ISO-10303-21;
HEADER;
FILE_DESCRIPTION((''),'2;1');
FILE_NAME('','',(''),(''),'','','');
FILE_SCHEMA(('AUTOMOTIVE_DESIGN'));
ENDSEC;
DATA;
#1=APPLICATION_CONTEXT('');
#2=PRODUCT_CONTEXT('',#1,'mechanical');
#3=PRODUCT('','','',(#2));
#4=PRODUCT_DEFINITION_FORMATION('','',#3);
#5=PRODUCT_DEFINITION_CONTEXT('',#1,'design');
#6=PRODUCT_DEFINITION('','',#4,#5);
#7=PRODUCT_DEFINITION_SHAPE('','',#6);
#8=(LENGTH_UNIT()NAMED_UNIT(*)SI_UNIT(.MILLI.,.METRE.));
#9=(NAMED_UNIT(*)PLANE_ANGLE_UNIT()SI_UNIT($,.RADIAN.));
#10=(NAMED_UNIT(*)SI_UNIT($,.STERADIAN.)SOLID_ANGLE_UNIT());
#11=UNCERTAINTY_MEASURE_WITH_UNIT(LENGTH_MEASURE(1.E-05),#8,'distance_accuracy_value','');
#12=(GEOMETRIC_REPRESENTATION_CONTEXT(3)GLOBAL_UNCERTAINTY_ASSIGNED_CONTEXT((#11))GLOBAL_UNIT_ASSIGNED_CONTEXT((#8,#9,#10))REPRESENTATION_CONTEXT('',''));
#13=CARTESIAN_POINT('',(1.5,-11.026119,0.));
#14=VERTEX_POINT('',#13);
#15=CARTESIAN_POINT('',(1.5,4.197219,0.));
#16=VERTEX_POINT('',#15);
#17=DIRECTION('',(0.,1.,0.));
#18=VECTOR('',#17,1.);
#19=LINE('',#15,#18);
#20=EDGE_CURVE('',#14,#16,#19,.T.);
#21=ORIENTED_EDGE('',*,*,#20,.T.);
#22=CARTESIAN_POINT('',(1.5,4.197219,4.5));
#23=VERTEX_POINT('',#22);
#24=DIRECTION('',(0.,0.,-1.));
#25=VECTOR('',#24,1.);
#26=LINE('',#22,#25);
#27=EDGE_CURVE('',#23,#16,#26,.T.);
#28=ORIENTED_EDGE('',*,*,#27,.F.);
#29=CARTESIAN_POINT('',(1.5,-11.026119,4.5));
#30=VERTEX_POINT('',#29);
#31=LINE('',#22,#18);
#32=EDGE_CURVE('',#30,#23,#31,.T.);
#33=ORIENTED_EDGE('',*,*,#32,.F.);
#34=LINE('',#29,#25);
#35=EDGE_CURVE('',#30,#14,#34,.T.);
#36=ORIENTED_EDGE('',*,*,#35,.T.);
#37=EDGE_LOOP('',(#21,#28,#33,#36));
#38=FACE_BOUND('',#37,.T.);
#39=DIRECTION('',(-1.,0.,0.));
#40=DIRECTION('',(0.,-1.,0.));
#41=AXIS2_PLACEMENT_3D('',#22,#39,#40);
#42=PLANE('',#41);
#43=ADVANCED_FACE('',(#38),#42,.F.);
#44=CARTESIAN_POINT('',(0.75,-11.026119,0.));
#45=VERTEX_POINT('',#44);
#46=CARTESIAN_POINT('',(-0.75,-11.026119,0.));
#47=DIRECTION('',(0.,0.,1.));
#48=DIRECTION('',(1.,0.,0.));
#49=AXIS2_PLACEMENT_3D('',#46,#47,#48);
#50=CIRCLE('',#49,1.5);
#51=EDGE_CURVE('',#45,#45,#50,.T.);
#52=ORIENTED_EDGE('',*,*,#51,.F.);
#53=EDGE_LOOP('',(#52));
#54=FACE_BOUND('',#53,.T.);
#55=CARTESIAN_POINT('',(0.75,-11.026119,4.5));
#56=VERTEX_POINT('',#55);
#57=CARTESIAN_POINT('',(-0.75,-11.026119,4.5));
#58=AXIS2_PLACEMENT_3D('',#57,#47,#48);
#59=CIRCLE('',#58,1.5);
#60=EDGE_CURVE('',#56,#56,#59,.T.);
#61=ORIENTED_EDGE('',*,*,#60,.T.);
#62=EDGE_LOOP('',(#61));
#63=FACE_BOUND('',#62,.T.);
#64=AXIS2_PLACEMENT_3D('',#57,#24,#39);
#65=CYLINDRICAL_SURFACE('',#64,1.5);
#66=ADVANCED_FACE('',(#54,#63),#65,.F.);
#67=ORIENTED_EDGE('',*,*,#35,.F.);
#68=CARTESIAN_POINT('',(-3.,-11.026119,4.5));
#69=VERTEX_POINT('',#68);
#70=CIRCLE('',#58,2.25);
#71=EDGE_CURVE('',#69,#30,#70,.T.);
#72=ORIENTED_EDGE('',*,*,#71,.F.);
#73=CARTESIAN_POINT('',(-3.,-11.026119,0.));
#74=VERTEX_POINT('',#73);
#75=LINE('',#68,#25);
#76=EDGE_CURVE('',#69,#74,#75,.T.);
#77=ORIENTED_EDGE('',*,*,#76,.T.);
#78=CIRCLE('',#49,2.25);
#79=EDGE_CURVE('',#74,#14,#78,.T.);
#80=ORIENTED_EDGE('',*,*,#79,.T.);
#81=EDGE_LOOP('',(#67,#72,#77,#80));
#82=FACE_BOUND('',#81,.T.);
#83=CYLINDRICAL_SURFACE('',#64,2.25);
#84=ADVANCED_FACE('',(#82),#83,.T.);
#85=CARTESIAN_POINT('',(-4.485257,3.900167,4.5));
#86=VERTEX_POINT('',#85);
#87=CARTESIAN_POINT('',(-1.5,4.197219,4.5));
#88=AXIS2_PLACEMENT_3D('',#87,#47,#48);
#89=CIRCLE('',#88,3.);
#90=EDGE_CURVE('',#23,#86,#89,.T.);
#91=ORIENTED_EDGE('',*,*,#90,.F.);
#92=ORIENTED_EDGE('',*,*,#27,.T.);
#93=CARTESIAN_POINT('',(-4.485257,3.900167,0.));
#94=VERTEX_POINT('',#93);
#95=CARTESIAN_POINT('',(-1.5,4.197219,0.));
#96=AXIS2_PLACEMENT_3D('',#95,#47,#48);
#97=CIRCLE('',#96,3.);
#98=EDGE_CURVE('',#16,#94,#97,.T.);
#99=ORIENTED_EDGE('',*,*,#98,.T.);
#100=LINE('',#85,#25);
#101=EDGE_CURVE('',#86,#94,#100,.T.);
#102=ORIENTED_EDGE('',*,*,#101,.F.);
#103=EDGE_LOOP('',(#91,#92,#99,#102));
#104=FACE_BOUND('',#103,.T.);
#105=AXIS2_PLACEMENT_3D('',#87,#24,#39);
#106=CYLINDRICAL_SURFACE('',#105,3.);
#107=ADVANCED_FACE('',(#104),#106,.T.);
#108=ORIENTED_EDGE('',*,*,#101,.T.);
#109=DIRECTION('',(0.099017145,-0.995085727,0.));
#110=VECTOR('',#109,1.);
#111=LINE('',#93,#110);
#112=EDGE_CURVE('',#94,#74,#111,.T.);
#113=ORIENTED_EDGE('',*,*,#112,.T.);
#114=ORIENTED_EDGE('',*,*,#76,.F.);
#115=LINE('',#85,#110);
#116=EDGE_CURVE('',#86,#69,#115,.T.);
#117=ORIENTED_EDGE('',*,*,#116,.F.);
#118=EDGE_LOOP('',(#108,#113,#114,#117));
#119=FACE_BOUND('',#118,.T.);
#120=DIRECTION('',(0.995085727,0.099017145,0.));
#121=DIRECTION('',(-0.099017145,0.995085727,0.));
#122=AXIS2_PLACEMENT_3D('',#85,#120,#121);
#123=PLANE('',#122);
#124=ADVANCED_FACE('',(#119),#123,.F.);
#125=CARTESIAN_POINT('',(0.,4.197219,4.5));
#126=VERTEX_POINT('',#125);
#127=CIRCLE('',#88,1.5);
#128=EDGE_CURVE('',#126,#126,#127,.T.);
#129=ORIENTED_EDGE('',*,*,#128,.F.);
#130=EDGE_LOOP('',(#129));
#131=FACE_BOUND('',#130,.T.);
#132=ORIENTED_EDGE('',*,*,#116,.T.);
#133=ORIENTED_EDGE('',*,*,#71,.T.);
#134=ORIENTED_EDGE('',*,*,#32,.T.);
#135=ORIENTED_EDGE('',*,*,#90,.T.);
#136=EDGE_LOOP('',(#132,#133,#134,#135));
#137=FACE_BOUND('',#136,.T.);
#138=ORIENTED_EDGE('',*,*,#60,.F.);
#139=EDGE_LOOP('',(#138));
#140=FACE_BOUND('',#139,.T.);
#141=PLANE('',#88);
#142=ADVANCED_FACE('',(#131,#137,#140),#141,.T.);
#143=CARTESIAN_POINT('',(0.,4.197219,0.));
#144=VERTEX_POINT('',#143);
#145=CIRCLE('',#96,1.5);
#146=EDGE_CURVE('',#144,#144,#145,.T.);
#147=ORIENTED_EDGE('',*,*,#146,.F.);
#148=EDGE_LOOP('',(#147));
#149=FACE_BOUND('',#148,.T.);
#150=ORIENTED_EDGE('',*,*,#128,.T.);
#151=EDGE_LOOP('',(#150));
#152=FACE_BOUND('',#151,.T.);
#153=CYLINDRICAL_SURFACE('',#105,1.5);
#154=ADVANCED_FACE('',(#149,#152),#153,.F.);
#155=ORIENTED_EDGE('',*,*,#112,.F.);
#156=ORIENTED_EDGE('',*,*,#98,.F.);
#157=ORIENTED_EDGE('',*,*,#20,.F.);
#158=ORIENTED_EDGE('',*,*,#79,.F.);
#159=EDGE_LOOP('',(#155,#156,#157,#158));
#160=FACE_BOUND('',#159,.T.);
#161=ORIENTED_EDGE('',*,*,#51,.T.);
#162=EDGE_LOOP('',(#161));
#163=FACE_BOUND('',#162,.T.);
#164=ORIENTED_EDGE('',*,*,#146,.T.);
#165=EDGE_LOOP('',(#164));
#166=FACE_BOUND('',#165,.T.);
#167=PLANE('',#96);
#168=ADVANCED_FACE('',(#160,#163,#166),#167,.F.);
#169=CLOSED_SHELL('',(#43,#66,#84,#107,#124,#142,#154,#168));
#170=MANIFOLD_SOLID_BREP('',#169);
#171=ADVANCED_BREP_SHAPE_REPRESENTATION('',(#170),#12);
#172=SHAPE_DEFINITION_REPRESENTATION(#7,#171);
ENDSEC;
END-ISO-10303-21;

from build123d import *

# Parameters (mm, degrees)
IZIM1_R                     = 1.5
Y_KSEKLIK_EKSTR_ZYON1_DEPTH = 4.5


with BuildPart() as part:
    # Çizim1 → Yükseklik-Ekstrüzyon1 (new body)
    with BuildSketch(Plane.XY):
        with BuildLine():
            Line((-4.485257182, 3.900167122), (-3, -11.02611879))
            ThreePointArc((-3, -11.02611879), (-0.75, -13.27611879), (1.5, -11.02611879))
            Line((1.5, -11.02611879), (1.5, 4.197218558))
            ThreePointArc((1.5, 4.197218558), (-1.648708529, 7.193530587), (-4.485257182, 3.900167122))
        make_face()
        with Locations((-1.5, 4.197218558)):
            Circle(IZIM1_R, mode=Mode.SUBTRACT)
        with Locations((-0.75, -11.02611879)):
            Circle(IZIM1_R, mode=Mode.SUBTRACT)
    extrude(amount=Y_KSEKLIK_EKSTR_ZYON1_DEPTH)


solid = part.part
